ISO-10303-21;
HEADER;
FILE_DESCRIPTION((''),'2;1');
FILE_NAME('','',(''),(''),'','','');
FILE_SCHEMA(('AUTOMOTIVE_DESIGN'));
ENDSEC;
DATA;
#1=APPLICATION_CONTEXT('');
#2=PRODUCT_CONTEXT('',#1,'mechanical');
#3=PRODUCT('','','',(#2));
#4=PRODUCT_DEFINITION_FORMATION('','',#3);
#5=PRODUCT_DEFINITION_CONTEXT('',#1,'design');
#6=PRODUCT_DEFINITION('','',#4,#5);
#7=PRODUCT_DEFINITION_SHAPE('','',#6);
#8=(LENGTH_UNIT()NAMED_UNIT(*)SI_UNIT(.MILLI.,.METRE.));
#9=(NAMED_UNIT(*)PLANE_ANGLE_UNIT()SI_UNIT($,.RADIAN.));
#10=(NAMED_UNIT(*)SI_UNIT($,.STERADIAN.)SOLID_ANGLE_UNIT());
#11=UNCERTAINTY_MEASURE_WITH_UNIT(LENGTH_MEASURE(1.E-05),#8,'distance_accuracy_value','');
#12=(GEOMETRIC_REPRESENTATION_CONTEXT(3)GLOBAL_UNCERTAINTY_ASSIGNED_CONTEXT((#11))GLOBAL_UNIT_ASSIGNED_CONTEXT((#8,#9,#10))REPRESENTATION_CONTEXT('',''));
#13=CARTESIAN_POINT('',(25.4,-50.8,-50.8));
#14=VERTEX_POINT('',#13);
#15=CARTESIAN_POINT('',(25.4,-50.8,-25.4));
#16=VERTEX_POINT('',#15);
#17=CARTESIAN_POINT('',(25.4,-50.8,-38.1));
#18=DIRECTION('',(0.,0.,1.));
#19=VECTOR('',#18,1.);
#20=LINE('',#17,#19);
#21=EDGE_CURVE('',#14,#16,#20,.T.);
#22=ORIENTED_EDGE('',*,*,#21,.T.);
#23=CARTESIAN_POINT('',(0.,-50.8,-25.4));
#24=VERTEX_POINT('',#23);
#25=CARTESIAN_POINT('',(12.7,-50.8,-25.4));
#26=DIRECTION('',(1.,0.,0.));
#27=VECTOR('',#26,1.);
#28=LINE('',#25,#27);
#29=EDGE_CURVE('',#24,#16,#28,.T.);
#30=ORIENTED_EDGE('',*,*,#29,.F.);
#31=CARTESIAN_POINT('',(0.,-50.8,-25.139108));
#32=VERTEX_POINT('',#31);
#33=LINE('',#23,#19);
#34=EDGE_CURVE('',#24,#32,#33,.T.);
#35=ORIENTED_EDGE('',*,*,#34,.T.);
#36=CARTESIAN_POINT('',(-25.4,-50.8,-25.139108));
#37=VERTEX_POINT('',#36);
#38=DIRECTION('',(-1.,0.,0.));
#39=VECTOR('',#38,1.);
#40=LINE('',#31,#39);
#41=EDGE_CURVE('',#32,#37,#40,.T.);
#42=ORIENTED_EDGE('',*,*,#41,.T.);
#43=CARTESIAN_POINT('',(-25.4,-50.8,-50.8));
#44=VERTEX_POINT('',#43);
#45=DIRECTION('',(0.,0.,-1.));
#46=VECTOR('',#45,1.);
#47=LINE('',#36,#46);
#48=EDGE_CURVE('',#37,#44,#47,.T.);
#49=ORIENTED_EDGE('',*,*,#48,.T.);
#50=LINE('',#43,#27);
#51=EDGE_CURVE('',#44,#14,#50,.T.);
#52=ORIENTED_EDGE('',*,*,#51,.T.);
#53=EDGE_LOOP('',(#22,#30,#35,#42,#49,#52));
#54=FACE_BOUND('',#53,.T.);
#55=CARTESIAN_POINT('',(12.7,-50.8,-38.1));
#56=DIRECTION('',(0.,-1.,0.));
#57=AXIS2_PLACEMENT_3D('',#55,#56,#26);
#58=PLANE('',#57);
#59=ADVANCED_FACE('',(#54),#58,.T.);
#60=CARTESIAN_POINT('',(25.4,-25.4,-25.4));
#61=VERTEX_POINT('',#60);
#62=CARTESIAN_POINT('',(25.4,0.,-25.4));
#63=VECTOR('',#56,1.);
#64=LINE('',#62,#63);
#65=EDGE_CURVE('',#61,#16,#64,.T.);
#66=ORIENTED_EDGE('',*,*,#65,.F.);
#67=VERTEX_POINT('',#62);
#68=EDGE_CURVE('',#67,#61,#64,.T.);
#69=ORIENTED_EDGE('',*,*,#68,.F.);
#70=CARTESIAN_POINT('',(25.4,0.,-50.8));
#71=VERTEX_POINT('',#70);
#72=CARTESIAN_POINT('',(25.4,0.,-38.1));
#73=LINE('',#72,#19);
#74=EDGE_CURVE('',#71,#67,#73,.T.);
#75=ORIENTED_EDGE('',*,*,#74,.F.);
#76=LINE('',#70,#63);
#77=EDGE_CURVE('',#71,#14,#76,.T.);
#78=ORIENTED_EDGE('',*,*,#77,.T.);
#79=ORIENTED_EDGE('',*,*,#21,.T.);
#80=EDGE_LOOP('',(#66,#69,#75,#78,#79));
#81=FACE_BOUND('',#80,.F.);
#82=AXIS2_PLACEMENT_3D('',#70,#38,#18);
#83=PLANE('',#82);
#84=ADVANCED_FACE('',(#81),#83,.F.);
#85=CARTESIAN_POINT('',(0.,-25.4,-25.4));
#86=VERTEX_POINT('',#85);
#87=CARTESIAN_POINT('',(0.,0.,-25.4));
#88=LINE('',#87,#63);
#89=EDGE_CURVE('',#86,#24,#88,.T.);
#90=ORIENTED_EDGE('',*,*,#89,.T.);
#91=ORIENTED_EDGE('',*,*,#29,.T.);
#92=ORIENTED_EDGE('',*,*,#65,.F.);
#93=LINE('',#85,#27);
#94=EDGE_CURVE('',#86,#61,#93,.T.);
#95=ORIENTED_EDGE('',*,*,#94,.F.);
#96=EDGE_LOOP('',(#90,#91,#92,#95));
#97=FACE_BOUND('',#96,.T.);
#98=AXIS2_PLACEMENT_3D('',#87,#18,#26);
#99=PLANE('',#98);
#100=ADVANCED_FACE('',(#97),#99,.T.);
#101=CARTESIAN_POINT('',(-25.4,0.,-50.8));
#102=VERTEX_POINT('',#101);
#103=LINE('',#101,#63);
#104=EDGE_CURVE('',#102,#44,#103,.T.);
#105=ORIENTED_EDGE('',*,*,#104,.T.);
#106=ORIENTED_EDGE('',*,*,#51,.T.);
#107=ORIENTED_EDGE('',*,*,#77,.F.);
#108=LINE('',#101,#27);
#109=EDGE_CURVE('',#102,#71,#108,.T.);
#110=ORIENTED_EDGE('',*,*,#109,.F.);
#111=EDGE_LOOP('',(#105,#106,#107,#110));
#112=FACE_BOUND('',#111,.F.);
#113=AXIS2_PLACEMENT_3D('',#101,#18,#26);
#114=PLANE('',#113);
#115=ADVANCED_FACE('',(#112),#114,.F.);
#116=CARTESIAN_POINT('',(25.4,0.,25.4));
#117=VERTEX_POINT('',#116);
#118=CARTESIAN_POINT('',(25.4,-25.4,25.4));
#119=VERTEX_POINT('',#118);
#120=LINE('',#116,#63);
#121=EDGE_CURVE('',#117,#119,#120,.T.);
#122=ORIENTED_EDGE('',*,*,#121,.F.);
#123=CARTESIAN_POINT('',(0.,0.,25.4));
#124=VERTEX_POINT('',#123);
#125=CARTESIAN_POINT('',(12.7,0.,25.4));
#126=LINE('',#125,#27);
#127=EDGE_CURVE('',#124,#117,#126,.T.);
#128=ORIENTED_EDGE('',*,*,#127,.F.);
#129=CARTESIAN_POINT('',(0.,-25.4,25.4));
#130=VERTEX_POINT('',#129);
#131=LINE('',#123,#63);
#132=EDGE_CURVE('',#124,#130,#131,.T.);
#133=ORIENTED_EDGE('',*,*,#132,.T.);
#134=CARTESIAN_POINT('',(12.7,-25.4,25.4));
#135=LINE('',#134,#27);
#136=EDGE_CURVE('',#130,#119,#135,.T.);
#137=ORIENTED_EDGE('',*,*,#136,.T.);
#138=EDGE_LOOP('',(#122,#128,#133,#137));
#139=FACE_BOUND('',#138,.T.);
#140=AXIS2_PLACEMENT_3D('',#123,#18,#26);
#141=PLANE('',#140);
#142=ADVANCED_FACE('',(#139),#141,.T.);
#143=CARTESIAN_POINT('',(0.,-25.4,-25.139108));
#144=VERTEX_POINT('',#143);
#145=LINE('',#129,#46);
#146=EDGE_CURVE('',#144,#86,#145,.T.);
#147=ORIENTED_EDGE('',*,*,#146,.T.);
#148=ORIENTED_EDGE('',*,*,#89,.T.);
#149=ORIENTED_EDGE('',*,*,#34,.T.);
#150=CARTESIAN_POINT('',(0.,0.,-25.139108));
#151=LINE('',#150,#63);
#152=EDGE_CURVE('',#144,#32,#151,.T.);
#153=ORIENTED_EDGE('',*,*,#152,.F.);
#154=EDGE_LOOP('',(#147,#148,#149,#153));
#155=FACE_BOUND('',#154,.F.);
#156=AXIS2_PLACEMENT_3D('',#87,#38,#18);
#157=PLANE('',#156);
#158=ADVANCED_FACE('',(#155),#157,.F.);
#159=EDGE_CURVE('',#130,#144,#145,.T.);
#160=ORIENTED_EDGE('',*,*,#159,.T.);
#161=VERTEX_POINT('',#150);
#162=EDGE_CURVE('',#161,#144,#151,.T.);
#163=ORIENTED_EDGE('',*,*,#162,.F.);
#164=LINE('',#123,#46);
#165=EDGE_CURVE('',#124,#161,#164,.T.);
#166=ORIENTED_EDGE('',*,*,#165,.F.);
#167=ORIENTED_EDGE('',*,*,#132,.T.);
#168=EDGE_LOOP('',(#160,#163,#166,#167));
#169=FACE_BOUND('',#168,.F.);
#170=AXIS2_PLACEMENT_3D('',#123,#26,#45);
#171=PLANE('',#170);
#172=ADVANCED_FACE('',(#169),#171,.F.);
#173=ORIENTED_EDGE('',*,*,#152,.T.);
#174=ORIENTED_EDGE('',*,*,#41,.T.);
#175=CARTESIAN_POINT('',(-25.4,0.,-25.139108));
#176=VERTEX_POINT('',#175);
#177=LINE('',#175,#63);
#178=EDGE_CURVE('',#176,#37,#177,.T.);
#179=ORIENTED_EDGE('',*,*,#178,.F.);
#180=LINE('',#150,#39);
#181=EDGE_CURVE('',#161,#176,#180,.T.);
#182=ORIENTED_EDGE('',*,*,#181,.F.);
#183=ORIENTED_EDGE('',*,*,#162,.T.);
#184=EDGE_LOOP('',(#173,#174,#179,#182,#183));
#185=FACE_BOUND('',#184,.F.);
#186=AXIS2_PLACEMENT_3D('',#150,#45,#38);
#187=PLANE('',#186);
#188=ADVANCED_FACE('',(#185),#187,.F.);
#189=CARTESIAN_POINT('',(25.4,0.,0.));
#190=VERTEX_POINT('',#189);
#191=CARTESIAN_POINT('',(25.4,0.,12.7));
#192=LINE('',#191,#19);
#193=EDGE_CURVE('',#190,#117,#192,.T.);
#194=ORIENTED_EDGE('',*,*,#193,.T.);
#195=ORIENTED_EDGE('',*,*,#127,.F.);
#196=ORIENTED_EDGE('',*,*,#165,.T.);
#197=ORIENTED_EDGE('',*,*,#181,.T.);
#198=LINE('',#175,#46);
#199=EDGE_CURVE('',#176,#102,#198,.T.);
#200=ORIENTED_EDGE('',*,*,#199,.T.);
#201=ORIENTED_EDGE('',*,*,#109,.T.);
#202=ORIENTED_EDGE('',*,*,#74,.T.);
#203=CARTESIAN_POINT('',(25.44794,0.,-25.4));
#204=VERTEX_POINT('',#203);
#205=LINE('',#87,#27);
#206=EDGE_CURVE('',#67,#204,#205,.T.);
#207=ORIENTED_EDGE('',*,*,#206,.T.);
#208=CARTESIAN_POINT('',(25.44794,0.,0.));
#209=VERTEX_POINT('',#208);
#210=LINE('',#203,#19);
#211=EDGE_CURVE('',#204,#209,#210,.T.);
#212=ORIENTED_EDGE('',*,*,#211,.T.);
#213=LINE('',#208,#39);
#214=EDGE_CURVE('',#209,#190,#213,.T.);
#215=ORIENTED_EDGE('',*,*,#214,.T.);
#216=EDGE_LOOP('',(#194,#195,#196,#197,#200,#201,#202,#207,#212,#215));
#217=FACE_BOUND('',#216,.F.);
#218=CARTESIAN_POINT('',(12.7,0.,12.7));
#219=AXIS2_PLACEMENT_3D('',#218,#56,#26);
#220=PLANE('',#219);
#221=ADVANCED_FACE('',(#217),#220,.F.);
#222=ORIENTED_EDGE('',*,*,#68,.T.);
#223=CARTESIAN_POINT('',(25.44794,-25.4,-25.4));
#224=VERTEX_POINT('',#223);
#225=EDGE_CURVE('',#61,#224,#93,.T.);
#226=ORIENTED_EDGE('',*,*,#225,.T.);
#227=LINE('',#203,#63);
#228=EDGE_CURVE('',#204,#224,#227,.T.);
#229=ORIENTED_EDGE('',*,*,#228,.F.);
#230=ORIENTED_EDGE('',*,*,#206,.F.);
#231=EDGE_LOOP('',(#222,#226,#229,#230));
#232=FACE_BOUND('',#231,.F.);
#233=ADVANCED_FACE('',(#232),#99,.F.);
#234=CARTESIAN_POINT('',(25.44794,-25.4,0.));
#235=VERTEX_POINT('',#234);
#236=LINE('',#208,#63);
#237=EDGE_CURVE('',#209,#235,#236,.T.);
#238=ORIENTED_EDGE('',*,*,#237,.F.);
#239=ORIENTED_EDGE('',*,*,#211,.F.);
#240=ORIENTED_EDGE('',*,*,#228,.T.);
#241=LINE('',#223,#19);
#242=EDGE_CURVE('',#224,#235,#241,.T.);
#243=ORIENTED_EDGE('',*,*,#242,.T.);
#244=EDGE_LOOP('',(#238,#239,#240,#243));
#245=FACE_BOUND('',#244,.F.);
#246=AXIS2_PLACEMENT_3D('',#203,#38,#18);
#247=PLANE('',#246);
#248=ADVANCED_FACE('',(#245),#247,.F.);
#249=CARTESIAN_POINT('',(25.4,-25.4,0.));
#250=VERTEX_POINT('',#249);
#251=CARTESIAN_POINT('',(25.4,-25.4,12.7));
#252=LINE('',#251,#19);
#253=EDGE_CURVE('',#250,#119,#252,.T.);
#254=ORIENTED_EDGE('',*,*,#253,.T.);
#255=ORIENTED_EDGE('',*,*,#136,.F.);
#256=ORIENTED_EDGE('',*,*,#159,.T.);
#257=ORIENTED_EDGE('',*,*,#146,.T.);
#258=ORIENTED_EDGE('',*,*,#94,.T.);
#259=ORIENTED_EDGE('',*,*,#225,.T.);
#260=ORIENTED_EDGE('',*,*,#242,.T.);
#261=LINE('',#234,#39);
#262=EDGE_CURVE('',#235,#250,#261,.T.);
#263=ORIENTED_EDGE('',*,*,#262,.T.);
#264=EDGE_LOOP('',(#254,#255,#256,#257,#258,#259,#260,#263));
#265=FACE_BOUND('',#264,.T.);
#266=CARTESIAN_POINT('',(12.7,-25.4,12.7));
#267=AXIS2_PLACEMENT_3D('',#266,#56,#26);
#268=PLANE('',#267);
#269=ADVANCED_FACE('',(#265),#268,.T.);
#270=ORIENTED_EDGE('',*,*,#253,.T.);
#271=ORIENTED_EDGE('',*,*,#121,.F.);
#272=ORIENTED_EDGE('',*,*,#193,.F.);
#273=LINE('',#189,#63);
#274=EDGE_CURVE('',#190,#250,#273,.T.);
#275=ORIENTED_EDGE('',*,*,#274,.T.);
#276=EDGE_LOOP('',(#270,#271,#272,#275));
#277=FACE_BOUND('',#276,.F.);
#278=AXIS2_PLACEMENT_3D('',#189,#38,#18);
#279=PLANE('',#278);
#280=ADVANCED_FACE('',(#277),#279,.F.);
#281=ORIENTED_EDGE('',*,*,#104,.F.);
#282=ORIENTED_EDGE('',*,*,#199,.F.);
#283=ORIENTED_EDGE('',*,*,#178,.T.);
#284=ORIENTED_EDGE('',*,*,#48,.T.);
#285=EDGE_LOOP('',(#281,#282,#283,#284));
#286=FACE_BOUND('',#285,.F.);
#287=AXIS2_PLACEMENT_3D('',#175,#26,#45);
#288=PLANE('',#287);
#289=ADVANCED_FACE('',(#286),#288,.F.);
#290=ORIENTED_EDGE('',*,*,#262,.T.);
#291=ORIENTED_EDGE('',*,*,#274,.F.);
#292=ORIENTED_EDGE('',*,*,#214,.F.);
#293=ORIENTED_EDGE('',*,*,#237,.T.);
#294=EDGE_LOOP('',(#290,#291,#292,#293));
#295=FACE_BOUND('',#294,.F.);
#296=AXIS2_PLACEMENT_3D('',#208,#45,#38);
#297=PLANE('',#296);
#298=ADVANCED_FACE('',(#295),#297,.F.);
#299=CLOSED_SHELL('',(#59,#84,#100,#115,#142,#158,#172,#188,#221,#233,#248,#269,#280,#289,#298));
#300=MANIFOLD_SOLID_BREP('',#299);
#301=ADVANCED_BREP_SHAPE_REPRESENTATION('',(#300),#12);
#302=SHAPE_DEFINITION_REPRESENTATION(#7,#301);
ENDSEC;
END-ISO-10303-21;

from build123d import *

# Parameters (mm, degrees)
F0_W     = 25.4
F0_H     = 25.4
F1_DEPTH = 50.8
F2_DEPTH = 25.4


with BuildPart() as f1:
    # F0 (on Front) → F1 (new body)
    with BuildSketch(Plane.XZ):
        with Locations((12.7, -38.1)):
            Rectangle(F0_W, F0_H)
        Polygon((0, -25.4), (0, -25.139108), (-25.4, -25.139108), (-25.4, -50.8), (0, -50.8), align=None)
    extrude(amount=F1_DEPTH)

    # F0 (on Front) → F2 (join)
    with BuildSketch(Plane.XZ):
        with Locations((12.7, 12.7)):
            Rectangle(F0_W, F0_H)
        Polygon((25.4, 0), (0, 0), (0, -25.139108), (0, -25.4), (25.4, -25.4), (25.44794, -25.4), (25.44794, 0), align=None)
    extrude(amount=F2_DEPTH)


solid = f1.part
